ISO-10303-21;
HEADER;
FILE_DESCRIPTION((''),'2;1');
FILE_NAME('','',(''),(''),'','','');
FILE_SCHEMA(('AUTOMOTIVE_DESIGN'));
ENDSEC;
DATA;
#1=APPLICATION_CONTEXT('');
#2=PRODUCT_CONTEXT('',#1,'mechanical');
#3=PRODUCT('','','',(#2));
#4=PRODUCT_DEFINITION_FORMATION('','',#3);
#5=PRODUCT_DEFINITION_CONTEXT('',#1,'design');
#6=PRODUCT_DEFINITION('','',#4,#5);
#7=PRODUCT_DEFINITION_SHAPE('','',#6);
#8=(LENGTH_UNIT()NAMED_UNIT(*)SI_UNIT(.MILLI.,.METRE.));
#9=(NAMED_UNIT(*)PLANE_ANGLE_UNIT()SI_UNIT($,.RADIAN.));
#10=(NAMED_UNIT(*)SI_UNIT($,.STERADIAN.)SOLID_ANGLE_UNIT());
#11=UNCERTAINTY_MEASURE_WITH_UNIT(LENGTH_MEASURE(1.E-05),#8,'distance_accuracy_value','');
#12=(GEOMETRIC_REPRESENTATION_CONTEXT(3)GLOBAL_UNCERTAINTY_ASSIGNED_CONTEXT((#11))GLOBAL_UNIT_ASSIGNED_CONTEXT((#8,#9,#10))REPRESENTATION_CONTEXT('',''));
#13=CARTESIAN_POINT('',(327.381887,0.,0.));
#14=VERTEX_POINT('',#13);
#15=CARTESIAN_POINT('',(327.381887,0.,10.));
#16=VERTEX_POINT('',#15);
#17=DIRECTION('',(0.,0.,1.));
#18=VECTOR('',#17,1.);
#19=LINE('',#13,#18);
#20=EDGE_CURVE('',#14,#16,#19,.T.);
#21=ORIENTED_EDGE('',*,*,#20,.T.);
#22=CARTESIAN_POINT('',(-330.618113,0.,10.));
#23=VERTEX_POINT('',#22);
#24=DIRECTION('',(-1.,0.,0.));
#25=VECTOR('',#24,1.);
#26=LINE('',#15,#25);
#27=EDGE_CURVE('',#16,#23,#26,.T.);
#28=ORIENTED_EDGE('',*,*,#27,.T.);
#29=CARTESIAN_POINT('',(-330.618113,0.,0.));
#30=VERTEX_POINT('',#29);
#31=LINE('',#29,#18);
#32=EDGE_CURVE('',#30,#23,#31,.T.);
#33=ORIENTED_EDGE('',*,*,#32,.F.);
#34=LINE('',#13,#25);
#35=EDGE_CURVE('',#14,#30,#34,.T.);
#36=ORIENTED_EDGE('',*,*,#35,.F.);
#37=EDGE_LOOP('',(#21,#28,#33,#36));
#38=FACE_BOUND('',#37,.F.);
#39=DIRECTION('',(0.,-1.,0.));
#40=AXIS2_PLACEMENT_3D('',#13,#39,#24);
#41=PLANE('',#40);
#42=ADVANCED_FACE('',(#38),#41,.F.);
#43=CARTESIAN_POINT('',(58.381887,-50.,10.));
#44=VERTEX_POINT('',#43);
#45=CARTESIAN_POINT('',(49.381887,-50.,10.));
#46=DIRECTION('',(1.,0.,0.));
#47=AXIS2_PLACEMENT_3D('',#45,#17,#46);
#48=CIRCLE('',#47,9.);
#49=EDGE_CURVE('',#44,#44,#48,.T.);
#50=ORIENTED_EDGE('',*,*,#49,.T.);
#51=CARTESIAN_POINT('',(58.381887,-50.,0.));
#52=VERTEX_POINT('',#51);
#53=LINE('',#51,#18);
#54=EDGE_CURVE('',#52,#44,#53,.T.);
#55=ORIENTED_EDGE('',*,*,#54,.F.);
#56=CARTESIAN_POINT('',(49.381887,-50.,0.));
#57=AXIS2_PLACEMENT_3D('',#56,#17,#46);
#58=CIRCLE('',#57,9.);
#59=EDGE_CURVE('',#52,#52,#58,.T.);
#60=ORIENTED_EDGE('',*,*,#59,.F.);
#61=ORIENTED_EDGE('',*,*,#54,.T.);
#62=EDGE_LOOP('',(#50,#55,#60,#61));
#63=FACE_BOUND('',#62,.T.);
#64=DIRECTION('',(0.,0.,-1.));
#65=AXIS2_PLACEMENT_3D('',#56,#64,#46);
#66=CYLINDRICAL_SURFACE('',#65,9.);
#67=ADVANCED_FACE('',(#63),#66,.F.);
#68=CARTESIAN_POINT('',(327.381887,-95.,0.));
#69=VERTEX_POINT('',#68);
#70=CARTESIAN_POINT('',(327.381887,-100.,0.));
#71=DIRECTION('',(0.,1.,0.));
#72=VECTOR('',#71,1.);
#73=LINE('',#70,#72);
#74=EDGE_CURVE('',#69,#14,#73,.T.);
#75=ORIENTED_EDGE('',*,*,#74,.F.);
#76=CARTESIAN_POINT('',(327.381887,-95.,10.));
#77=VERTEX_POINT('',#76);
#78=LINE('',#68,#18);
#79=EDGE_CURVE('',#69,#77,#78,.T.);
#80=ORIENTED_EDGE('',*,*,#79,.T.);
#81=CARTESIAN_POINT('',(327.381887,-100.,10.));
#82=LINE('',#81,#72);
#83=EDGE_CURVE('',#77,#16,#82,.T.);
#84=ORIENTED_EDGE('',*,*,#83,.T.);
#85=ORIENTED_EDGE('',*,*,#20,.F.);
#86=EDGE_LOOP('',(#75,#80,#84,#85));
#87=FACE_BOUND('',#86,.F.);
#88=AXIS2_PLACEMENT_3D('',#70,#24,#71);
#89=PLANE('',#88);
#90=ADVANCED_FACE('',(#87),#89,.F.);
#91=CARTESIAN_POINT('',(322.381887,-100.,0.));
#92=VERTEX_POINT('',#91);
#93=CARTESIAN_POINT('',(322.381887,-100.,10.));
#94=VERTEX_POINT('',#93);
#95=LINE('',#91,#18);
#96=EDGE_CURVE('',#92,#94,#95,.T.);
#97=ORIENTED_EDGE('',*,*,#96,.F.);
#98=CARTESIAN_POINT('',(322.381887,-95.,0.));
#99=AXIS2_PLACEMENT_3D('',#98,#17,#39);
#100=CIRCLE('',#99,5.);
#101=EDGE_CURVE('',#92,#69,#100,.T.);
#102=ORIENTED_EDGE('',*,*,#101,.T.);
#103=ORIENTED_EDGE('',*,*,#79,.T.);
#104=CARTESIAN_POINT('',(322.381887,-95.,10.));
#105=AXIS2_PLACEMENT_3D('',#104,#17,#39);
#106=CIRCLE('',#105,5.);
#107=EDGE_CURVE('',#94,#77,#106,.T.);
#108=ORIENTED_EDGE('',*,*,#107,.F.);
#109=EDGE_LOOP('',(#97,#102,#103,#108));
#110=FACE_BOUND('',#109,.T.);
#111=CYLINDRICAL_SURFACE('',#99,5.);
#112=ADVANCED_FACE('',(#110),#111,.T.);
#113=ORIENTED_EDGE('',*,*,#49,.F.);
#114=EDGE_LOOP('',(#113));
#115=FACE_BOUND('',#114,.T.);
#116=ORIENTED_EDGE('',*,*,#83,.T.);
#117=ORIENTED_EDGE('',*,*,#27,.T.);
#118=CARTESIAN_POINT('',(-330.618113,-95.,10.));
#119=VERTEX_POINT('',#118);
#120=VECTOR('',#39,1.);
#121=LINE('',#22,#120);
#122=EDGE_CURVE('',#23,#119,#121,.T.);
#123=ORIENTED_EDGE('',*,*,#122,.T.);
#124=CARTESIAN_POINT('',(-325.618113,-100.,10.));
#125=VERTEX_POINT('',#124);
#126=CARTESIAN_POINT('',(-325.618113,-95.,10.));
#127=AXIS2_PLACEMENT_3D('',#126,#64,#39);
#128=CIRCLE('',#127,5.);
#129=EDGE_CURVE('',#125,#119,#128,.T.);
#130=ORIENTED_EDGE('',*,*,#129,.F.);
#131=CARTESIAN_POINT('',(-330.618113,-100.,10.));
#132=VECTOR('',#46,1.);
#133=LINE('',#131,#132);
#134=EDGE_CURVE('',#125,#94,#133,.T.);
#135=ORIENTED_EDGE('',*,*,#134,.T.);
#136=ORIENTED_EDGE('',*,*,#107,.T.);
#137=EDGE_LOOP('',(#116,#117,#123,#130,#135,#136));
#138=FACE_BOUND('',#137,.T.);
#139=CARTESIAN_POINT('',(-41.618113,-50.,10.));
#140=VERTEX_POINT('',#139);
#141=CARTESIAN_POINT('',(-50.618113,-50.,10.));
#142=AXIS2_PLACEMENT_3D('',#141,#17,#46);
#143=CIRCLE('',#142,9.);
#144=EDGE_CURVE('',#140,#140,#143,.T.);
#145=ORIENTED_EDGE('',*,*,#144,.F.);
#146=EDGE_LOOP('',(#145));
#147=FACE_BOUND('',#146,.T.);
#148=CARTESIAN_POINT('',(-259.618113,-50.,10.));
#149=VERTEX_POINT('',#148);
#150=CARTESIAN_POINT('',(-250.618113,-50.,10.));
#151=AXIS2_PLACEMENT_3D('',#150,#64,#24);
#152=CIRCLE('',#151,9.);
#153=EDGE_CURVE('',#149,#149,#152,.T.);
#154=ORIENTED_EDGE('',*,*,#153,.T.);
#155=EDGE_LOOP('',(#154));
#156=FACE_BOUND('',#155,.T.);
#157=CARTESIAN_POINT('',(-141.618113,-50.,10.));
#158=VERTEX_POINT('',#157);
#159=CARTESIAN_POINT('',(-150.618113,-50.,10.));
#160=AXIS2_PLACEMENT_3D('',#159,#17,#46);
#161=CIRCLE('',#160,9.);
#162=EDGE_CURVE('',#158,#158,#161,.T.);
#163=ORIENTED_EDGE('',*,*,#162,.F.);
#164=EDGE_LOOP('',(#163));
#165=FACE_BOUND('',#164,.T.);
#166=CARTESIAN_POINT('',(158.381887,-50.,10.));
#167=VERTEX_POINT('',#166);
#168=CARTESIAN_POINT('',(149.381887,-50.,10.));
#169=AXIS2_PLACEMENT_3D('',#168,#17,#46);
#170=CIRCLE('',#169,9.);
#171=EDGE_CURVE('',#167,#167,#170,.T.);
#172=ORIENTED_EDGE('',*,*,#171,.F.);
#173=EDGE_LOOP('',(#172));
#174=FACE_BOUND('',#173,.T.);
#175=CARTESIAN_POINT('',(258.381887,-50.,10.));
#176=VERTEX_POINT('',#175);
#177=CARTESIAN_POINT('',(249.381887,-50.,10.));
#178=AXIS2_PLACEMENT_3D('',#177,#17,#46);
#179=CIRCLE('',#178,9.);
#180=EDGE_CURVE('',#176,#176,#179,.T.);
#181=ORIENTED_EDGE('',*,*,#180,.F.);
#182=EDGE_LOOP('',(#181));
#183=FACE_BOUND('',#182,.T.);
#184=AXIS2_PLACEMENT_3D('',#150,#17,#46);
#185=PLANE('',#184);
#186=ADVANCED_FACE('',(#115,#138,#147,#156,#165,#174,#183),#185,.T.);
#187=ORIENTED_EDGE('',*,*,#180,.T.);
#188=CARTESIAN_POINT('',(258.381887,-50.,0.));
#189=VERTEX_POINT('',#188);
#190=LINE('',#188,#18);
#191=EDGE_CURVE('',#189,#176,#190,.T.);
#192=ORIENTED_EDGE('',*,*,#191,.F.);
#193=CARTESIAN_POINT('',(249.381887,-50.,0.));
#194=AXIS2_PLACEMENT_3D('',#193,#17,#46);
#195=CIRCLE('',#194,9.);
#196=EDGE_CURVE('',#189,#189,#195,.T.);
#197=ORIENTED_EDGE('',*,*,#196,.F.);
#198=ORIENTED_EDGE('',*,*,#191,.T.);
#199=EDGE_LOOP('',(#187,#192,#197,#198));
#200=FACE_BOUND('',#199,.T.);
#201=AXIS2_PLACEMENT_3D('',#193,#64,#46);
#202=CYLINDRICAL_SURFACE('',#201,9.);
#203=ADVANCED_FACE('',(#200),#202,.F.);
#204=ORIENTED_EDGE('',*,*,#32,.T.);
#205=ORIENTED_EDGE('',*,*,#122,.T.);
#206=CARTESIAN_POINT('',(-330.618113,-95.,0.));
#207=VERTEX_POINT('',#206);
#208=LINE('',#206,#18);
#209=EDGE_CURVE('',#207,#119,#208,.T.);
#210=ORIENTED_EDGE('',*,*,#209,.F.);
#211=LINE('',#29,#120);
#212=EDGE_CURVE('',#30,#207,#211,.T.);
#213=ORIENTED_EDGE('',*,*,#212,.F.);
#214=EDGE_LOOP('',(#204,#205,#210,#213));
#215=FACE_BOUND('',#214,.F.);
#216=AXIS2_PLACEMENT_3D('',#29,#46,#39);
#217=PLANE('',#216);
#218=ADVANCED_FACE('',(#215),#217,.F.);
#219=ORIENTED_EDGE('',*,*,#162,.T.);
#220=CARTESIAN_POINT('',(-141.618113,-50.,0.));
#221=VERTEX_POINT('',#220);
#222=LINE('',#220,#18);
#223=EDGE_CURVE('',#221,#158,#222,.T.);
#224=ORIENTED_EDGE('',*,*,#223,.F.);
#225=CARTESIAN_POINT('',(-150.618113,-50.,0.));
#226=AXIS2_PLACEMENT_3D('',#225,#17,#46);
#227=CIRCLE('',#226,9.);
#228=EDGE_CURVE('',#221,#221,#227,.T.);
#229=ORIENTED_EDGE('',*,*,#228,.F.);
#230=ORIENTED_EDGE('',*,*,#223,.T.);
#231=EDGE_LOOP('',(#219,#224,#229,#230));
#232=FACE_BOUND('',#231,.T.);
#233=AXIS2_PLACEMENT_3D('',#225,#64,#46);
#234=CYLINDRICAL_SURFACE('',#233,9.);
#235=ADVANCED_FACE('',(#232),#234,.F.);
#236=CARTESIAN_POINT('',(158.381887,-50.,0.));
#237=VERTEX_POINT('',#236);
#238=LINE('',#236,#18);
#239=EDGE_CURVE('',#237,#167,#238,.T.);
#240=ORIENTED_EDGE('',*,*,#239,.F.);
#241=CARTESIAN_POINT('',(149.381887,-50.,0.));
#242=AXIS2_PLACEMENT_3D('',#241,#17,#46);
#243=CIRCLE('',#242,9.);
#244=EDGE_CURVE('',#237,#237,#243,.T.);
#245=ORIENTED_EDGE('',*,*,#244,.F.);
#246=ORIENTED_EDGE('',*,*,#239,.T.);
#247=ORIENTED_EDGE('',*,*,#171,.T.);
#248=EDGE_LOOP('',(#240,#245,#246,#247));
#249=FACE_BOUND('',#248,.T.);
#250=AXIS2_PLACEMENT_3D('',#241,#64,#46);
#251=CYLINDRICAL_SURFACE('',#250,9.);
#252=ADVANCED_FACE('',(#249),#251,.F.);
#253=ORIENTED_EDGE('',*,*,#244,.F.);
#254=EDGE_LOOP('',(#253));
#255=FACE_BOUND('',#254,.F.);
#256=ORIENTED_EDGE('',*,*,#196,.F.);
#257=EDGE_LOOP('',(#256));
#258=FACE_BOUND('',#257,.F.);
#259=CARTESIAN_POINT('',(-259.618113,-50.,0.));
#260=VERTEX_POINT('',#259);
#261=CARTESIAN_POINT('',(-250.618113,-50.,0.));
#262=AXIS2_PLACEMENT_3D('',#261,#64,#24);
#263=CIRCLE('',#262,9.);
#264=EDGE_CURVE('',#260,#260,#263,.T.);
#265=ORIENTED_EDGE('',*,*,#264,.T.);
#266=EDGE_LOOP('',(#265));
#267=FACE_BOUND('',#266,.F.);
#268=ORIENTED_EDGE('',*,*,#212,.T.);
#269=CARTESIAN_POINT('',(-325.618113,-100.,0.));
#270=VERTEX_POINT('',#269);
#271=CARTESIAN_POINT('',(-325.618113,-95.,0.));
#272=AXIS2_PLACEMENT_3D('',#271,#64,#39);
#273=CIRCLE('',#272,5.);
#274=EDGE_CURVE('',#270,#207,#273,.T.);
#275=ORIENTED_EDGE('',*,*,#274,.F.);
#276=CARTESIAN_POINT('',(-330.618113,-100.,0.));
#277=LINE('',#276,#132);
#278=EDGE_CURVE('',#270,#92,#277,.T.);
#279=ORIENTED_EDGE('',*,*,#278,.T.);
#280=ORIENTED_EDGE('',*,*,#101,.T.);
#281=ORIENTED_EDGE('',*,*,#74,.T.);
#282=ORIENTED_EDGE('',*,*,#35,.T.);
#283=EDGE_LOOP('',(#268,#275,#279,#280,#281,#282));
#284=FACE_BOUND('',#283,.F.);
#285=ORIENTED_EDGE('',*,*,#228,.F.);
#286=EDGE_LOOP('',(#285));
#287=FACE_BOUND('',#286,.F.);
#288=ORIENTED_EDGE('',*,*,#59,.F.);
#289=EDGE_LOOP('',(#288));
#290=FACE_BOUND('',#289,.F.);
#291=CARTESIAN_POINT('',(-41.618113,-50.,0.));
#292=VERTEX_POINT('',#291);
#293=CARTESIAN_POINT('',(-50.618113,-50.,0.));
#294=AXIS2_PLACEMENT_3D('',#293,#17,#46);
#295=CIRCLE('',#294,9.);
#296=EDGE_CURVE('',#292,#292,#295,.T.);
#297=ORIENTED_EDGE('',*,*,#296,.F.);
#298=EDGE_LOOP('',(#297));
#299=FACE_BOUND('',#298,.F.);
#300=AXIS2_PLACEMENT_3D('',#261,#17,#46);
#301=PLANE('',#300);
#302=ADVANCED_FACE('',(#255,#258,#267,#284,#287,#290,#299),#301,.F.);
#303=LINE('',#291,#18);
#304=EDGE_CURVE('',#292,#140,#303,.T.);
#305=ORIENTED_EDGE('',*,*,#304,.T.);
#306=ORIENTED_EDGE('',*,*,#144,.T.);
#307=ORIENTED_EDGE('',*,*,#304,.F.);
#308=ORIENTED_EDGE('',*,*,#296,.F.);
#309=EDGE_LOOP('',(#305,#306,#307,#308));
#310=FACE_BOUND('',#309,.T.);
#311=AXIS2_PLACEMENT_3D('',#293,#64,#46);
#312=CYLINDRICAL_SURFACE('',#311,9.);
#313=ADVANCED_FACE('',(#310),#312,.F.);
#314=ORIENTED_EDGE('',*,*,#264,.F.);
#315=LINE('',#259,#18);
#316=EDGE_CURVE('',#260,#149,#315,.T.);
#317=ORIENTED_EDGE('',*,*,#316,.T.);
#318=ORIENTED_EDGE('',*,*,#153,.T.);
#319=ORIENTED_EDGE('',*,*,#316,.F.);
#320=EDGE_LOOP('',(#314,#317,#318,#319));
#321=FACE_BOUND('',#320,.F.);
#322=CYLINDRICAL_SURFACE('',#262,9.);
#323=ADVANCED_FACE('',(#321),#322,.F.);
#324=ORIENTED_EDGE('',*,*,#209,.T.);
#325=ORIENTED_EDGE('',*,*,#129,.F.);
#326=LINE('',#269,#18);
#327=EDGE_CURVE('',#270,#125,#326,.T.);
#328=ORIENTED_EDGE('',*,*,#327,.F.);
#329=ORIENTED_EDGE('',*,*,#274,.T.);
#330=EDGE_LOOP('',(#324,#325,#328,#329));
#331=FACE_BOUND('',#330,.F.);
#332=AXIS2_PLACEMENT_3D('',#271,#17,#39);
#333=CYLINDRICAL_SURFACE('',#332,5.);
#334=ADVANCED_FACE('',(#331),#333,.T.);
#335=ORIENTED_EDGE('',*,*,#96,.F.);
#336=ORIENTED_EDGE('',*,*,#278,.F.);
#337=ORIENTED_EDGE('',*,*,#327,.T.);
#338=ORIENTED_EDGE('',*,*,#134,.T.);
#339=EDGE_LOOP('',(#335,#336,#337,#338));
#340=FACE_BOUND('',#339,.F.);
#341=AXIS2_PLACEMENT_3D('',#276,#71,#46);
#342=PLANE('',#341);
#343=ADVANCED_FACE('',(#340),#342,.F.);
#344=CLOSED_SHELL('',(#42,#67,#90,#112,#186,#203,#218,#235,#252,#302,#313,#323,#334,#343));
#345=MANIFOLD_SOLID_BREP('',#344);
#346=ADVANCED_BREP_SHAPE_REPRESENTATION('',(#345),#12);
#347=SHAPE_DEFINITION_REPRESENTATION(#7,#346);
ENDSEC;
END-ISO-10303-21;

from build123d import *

# Parameters (mm, degrees)
F0_R     = 9
F1_DEPTH = 10
F2_R     = 5


with BuildPart() as f1:
    # F0 (on Top) → F1 (new body)
    with BuildSketch(Plane.XY):
        with BuildLine():
            ThreePointArc((-241.618113, -50), (-250.618113, -41), (-259.618113, -50))
            ThreePointArc((-259.618113, -50), (-250.618113, -59), (-241.618113, -50))
        make_face()
        Polygon((-330.618113, -50), (-330.618113, -100), (327.381887, -100), (327.381887, 0), (-330.618113, 0), align=None)
        with BuildLine():
            ThreePointArc((-241.618113, -50), (-250.618113, -59), (-259.618113, -50))
            ThreePointArc((-259.618113, -50), (-250.618113, -41), (-241.618113, -50))
        make_face(mode=Mode.SUBTRACT)
        with Locations((-150.618113, -50)):
            Circle(F0_R, mode=Mode.SUBTRACT)
        with Locations((-50.618113, -50)):
            Circle(F0_R, mode=Mode.SUBTRACT)
        with Locations((49.381887, -50)):
            Circle(F0_R, mode=Mode.SUBTRACT)
        with Locations((149.381887, -50)):
            Circle(F0_R, mode=Mode.SUBTRACT)
        with Locations((249.381887, -50)):
            Circle(F0_R, mode=Mode.SUBTRACT)
    extrude(amount=F1_DEPTH)

    # F2
    f2_edges = [f1.edges().sort_by_distance(p)[0] for p in [
        (-330.618113, -100, 5),
        (327.381887, -100, 5),
    ]]
    fillet(f2_edges, radius=F2_R)


solid = f1.part
